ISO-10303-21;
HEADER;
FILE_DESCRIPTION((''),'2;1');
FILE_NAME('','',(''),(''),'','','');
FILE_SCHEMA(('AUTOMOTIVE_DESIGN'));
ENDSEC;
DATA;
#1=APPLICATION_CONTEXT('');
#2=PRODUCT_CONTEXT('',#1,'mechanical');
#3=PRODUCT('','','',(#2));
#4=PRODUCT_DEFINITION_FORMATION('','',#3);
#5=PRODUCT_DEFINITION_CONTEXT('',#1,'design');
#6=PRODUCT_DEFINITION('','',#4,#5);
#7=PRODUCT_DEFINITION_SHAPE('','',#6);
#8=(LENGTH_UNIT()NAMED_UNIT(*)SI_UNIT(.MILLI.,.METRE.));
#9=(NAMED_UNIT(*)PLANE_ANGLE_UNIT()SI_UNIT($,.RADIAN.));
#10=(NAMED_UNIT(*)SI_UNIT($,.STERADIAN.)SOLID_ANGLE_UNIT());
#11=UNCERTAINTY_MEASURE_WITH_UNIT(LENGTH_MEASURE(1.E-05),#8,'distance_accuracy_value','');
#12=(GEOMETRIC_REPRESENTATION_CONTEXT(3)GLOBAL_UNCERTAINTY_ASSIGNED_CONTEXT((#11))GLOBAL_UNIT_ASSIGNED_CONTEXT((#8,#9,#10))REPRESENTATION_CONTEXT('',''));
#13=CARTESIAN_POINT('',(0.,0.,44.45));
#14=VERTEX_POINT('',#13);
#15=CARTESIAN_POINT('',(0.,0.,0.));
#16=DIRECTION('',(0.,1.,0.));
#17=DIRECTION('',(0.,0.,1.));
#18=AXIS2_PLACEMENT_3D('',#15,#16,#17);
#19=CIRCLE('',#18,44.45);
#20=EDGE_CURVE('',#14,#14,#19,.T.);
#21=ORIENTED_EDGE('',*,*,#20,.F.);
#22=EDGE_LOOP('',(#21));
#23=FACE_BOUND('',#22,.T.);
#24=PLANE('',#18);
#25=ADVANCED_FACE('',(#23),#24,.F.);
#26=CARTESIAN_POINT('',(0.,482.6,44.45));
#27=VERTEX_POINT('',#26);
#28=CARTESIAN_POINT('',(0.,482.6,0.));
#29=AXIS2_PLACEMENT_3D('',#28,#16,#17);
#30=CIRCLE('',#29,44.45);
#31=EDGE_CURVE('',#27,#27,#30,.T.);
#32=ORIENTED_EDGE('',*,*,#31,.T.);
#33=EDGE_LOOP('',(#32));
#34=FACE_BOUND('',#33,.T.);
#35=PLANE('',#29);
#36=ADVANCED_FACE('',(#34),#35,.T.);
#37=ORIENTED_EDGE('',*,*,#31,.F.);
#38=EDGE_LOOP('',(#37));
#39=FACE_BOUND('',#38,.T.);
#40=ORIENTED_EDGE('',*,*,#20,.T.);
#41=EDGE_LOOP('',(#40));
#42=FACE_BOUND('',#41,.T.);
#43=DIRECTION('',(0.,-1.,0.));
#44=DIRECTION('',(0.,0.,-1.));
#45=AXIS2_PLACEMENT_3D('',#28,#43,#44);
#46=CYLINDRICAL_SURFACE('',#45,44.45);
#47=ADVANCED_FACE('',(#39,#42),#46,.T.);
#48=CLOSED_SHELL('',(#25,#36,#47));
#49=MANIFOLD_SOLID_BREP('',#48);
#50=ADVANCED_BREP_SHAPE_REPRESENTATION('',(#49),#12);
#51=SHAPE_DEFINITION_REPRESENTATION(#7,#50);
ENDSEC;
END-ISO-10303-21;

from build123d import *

# Parameters (mm, degrees)
SKETCH1_R           = 44.45
BOSS_EXTRUDE1_DEPTH = 482.6


with BuildPart() as part:
    # Sketch1 → Boss-Extrude1 (new body)
    with BuildSketch(Plane(origin=(0, 0, 0), x_dir=(1, 0, 0), z_dir=(0, 1, 0))):
        Circle(SKETCH1_R)
    extrude(amount=BOSS_EXTRUDE1_DEPTH)


solid = part.part
